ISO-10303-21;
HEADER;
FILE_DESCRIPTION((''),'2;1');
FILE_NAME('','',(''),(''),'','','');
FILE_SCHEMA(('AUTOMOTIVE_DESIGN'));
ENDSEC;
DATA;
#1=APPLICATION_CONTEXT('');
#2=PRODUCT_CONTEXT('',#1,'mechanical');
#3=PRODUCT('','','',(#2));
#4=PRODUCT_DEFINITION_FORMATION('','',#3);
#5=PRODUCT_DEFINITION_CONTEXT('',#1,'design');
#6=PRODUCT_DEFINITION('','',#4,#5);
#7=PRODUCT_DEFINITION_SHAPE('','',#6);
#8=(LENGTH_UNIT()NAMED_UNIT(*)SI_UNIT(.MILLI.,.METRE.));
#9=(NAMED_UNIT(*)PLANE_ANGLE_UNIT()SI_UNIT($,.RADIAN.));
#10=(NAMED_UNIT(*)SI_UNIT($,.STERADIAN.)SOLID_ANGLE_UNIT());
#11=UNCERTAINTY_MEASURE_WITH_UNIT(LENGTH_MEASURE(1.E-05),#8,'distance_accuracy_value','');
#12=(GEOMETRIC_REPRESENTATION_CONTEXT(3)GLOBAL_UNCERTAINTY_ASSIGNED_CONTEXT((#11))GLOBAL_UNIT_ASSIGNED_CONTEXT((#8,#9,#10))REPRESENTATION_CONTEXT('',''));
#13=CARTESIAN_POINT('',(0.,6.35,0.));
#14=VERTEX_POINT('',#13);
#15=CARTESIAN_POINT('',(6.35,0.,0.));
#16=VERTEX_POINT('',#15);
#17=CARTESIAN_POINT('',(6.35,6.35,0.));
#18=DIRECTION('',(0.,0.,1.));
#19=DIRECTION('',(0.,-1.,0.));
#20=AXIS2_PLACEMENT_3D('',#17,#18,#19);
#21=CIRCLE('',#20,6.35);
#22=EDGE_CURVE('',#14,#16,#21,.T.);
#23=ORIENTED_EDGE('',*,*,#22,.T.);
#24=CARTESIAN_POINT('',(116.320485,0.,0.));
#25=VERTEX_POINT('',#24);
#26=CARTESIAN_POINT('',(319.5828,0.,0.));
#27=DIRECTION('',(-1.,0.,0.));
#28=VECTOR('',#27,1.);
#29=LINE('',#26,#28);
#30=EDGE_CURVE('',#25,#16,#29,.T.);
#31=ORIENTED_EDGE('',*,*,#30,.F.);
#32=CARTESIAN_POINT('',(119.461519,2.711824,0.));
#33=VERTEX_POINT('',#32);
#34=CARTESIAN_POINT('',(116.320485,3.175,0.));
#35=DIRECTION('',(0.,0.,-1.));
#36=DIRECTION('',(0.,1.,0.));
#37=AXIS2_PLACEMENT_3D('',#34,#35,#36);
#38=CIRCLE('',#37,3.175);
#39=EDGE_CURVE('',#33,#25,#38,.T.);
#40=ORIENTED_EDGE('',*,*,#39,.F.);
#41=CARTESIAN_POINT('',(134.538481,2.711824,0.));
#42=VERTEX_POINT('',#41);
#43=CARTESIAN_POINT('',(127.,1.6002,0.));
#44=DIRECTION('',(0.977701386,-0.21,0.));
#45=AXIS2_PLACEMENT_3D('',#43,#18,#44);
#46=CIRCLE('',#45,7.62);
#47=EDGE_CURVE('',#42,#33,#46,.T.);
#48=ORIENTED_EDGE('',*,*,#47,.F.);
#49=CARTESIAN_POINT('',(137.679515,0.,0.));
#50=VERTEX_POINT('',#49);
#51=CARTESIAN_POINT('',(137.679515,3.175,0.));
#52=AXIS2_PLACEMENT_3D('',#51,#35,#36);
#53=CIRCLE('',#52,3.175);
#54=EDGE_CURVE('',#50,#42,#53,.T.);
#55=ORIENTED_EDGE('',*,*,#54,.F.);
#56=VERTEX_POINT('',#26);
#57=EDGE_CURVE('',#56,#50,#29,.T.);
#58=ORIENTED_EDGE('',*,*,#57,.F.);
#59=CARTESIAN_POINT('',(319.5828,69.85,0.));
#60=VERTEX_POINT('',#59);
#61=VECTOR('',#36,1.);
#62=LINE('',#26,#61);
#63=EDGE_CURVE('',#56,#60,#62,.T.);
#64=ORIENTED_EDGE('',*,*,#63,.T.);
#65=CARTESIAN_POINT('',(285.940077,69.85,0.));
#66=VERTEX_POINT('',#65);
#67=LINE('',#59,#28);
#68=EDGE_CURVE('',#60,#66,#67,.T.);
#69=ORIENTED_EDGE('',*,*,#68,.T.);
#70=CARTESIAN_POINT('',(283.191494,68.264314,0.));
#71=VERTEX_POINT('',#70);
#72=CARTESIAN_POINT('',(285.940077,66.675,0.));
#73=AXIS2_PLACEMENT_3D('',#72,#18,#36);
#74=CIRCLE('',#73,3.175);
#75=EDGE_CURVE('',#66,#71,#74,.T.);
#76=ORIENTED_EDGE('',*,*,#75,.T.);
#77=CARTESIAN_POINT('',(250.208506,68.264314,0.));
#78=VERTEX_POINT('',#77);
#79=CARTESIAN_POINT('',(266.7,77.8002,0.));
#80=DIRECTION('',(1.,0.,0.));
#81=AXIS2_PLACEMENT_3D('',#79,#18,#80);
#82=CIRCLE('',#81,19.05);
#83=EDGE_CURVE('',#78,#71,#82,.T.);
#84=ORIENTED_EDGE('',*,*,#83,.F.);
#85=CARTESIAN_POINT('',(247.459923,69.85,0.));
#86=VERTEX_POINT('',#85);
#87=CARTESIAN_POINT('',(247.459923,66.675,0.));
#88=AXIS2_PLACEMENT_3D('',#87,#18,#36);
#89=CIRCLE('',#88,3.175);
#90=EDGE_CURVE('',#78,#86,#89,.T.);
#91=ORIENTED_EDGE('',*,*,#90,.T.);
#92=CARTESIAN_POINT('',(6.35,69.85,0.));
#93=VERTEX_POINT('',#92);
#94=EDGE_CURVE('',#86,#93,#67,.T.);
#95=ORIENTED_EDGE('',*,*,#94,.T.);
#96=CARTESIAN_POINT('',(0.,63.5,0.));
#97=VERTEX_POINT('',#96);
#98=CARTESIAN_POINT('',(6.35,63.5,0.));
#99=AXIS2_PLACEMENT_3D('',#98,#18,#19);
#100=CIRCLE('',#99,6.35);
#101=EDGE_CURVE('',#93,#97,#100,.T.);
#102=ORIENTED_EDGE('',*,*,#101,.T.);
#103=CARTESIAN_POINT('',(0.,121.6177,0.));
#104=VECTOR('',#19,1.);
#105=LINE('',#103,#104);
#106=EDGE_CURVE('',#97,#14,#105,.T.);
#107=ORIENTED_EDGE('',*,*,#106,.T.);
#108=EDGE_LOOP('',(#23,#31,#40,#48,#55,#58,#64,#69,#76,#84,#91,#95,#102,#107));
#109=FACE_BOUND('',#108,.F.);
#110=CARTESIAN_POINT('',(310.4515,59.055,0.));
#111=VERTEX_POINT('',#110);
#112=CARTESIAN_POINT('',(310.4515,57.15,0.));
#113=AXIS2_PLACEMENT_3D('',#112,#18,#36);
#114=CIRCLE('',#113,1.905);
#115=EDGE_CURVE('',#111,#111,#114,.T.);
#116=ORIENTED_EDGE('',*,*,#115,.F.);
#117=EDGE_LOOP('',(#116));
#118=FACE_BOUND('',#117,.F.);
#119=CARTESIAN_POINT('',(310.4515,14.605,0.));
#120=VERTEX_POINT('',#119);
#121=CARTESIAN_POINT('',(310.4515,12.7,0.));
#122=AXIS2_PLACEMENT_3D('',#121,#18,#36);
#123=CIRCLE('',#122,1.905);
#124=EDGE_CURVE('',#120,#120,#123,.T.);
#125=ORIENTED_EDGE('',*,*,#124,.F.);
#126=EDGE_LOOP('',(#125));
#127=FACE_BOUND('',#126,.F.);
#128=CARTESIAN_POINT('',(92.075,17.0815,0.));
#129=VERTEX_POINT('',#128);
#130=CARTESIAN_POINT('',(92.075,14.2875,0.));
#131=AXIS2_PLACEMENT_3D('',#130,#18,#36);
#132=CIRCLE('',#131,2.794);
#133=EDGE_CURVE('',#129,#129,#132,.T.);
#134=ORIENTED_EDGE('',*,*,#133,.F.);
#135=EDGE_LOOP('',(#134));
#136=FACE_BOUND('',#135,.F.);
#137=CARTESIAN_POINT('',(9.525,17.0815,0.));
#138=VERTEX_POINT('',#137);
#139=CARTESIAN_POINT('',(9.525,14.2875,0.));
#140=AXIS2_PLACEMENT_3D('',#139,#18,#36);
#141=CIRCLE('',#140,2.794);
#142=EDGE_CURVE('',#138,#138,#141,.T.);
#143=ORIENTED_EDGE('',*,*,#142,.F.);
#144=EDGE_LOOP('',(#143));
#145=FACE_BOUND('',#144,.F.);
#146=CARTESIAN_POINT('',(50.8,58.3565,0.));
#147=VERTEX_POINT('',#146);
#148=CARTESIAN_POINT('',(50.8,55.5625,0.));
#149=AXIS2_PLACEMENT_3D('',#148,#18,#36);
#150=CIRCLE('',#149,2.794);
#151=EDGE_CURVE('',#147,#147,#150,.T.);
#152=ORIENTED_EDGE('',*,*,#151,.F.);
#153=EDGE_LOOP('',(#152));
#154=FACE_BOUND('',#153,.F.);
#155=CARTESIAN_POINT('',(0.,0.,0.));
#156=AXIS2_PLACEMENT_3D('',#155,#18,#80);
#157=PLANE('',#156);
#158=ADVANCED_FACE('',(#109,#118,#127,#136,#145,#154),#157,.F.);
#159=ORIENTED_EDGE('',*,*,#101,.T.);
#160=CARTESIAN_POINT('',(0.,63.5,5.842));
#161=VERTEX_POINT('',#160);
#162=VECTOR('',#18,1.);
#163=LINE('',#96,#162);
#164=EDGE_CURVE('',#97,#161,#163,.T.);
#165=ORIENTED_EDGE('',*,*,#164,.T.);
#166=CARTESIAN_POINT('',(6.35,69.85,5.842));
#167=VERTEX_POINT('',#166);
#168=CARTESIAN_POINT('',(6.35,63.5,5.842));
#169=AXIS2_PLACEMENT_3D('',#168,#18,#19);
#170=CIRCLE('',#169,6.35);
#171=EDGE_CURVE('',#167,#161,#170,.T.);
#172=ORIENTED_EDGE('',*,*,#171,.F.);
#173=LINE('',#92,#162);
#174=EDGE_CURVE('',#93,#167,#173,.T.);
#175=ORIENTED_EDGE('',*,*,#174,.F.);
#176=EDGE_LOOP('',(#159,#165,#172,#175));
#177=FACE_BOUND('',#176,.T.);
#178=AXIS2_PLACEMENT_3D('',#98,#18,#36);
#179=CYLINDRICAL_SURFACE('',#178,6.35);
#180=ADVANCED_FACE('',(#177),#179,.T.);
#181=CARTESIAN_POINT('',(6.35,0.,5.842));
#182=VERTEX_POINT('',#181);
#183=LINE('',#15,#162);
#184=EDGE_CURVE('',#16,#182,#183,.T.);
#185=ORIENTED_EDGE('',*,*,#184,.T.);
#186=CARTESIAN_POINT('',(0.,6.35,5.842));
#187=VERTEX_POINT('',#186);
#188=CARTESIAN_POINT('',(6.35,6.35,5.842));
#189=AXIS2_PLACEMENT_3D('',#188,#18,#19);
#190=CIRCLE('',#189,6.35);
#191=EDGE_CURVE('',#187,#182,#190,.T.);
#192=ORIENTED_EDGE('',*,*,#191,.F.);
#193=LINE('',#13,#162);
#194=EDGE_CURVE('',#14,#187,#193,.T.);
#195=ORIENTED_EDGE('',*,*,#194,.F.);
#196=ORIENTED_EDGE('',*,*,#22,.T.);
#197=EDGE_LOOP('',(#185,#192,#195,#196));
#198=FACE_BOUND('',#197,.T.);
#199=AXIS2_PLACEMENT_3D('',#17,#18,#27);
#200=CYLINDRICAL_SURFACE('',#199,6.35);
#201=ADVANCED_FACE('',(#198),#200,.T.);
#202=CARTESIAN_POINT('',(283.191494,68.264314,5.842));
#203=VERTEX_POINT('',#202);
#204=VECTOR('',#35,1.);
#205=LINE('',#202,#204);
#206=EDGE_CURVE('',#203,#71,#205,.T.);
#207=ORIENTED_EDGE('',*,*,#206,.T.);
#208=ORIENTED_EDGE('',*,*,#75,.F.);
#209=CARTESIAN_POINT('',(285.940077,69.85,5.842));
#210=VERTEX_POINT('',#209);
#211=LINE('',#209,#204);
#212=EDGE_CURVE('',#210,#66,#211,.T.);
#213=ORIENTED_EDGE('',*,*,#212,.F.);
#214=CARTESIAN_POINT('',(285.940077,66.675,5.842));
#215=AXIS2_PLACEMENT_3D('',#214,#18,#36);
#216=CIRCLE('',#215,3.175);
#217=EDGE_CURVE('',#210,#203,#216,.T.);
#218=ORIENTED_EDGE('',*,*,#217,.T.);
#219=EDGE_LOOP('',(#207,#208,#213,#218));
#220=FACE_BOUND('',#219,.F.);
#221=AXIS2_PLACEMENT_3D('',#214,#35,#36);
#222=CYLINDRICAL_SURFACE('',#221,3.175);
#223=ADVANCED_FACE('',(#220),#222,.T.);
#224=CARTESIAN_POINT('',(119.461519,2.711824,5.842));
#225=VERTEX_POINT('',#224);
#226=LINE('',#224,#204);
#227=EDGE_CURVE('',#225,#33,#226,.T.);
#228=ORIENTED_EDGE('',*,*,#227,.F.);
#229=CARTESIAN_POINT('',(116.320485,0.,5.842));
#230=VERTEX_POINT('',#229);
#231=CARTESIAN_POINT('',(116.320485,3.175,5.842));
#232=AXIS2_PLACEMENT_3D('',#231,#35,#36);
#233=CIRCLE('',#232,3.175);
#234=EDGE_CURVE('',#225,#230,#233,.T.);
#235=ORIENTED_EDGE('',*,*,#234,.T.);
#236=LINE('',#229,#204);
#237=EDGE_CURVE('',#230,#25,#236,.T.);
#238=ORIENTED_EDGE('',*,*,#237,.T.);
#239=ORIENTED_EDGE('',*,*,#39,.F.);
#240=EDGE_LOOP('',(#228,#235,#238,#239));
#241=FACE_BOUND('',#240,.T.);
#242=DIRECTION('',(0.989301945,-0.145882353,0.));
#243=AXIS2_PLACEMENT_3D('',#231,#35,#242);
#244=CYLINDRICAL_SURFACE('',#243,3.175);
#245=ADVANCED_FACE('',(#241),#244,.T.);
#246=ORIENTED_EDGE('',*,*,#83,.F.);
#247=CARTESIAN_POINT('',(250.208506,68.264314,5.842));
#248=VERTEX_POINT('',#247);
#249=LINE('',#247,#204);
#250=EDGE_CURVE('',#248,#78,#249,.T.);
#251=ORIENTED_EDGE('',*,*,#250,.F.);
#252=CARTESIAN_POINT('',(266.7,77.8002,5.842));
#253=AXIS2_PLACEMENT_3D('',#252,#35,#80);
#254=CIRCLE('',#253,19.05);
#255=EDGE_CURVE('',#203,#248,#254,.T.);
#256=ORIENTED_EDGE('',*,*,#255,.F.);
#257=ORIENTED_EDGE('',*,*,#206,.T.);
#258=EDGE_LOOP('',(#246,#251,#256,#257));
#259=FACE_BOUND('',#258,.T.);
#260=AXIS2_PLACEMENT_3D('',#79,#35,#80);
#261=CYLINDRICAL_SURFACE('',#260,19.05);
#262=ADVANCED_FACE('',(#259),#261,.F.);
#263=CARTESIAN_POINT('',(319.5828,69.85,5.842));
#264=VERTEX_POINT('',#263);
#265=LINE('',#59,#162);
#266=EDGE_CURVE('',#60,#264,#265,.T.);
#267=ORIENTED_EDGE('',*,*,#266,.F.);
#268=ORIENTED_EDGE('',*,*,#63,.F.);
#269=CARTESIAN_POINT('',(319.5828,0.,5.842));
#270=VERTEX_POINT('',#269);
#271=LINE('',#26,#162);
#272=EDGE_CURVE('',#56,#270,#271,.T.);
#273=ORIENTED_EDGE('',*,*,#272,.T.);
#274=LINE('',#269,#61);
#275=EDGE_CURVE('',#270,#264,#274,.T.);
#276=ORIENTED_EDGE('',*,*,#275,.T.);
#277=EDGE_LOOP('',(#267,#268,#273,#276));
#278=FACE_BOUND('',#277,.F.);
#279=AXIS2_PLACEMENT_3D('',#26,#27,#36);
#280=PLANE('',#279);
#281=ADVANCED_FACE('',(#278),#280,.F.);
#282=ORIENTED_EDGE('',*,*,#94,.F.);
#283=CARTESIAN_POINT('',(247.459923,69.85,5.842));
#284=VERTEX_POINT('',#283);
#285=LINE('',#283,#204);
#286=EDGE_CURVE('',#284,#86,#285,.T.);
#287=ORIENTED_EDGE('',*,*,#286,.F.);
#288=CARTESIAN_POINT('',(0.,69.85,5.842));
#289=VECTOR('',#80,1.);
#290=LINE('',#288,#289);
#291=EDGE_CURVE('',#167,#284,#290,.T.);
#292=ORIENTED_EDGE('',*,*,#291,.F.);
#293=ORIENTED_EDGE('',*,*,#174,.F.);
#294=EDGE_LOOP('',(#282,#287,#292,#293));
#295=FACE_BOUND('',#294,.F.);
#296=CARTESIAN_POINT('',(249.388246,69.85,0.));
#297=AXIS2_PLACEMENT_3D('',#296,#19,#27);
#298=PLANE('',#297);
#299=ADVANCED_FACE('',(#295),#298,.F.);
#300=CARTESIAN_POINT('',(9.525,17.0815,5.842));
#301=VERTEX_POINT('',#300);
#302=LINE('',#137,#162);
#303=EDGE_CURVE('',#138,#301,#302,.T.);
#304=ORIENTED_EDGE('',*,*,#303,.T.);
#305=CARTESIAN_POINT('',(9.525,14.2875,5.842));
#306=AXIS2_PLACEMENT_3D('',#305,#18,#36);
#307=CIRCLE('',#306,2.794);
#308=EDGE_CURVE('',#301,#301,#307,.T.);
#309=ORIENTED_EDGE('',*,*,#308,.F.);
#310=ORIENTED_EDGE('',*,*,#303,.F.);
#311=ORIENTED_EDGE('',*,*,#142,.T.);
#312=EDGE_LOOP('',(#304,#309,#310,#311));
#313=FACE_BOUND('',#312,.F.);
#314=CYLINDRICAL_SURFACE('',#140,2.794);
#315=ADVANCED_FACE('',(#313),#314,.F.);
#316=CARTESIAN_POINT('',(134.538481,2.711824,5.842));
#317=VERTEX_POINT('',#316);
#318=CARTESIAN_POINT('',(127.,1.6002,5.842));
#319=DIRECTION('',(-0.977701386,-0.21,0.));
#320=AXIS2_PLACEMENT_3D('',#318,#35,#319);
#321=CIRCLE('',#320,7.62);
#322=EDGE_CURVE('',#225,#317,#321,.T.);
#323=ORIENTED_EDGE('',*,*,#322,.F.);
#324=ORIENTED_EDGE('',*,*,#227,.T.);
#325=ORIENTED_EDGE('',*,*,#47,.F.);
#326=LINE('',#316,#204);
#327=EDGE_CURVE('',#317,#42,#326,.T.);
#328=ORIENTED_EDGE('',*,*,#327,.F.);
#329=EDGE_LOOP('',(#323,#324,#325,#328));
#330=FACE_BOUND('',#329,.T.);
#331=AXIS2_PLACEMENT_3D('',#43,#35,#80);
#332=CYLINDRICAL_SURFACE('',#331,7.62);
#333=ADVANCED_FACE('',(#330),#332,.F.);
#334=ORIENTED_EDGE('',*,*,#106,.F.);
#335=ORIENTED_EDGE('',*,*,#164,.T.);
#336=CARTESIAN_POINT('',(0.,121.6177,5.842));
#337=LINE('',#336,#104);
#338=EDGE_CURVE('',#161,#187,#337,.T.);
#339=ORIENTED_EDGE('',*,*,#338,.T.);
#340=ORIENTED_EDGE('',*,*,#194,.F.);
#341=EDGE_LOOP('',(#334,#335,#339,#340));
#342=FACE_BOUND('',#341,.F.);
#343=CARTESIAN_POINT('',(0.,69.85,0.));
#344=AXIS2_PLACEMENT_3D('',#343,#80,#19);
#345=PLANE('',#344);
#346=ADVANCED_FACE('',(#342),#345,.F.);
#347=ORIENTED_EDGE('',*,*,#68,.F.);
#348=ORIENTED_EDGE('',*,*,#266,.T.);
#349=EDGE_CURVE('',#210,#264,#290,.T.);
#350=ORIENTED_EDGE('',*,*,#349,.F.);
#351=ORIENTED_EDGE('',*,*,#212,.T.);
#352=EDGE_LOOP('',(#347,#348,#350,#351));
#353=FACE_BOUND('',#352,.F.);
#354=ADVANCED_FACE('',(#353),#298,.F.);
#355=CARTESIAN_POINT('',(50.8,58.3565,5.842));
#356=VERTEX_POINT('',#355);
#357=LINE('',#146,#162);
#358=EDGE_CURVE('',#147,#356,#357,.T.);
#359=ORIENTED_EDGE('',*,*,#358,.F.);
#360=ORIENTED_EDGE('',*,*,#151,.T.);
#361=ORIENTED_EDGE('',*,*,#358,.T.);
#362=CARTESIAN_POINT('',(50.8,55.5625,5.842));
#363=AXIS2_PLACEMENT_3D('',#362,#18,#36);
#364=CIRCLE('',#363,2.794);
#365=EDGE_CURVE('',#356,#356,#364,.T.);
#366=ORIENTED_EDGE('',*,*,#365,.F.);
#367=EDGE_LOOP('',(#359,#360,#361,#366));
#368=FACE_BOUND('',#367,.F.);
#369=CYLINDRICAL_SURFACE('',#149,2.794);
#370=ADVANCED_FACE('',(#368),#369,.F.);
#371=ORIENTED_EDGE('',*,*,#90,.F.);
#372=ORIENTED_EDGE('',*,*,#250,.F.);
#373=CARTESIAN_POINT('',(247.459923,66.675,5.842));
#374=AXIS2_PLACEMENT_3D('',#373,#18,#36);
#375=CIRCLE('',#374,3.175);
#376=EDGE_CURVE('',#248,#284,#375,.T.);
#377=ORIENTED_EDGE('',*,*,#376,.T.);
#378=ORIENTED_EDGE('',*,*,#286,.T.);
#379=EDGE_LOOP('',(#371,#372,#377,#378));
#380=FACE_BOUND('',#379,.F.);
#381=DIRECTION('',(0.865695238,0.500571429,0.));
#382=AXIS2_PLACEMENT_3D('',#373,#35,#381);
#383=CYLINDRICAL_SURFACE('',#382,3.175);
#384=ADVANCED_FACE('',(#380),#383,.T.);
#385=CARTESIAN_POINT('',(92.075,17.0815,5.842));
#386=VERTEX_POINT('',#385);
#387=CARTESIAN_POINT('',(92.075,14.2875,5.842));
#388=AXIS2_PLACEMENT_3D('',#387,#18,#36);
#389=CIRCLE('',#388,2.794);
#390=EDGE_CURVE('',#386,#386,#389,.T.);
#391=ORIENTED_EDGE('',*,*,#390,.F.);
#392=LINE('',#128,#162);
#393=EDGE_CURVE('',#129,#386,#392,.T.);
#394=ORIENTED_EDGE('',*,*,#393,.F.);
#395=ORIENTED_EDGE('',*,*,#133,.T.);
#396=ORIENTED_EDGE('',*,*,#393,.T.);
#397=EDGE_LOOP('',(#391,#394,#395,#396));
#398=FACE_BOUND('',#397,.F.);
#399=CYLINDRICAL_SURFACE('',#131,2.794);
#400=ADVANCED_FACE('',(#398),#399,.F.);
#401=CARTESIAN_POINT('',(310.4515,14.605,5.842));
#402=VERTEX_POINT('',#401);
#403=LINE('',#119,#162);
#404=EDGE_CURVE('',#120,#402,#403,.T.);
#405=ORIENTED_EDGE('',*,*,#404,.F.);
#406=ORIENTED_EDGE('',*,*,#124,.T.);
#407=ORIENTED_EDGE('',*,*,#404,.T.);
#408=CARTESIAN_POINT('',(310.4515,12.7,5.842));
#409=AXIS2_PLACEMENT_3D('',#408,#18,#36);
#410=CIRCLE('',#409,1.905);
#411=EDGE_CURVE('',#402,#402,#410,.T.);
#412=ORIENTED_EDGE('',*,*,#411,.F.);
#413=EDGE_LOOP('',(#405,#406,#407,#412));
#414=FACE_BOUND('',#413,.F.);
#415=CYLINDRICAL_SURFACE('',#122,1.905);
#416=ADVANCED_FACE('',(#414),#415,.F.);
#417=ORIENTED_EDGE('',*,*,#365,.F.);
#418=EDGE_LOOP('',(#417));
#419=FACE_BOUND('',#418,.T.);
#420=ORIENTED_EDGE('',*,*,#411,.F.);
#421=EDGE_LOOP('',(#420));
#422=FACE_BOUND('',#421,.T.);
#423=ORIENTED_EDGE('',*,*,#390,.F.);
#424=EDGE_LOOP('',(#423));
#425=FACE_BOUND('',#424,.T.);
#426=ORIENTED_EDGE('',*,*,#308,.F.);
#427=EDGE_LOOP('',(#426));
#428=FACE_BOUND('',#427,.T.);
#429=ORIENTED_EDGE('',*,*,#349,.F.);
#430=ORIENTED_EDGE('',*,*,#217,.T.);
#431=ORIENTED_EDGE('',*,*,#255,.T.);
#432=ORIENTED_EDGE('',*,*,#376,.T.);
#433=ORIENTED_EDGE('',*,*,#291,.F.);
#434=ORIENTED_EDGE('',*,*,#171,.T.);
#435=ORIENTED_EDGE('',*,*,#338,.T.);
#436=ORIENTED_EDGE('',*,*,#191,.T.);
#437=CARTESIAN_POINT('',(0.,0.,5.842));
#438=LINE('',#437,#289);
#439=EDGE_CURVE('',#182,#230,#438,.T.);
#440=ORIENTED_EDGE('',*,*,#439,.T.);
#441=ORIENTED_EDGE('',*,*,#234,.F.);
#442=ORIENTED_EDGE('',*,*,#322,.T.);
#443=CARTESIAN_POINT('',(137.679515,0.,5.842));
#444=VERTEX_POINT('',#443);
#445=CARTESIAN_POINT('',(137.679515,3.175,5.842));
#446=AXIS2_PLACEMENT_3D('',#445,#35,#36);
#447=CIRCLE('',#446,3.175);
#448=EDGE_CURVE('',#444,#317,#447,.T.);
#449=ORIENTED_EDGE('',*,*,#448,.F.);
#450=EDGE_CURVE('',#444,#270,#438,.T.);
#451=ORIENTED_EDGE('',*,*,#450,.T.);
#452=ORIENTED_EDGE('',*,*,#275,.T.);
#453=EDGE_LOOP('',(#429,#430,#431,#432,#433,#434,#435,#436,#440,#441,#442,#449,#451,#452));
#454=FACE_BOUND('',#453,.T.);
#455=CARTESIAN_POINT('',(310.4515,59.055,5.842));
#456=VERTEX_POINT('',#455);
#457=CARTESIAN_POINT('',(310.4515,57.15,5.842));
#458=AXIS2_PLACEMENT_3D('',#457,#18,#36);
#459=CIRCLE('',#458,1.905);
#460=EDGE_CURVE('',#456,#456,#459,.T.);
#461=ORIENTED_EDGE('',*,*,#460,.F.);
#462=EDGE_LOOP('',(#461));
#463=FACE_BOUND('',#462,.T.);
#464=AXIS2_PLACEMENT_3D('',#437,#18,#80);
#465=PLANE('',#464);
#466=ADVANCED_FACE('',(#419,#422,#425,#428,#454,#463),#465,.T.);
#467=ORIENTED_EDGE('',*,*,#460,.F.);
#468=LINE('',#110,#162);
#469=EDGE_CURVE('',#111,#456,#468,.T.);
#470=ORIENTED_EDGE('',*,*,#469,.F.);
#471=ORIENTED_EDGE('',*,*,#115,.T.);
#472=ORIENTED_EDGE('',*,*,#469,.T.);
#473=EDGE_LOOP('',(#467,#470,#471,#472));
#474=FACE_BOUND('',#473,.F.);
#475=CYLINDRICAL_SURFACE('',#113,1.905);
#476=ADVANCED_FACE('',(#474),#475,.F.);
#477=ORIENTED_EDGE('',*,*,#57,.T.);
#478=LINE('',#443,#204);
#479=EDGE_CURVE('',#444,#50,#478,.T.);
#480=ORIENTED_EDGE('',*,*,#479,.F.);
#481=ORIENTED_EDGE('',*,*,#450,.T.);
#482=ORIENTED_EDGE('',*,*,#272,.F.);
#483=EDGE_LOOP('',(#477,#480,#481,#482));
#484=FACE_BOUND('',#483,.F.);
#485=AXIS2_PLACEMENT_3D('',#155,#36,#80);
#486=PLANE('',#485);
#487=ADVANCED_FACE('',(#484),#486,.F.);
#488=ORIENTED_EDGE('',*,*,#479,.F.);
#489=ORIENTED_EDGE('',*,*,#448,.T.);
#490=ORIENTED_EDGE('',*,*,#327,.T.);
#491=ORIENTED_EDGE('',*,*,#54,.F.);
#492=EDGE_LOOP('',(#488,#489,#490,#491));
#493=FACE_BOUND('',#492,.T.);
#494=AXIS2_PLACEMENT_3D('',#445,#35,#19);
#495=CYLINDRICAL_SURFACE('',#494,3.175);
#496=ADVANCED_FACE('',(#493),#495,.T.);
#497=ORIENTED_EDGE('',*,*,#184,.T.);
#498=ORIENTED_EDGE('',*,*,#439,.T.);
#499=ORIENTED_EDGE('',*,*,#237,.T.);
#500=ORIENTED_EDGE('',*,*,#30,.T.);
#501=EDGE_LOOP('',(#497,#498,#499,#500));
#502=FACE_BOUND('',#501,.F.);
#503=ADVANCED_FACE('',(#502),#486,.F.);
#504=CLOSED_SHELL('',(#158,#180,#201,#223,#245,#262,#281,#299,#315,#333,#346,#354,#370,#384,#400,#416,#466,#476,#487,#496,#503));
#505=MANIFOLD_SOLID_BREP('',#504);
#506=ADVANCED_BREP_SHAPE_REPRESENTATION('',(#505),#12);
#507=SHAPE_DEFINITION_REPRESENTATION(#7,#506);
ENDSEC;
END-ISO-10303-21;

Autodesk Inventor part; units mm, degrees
ref_plane "YZ Plane" through (0, 0, 0) normal (1, 0, 0) x (0, 1, 0)
ref_plane "XZ Plane" through (0, 0, 0) normal (0, 1, 0) x (-1, 0, 0)
ref_plane "XY Plane" through (0, 0, 0) normal (0, 0, 1) x (1, 0, 0)
sketch "Sketch1" plane through (0, 0, 0) normal (0, 0, 1) x (1, 0, 0)
  line L0 (0, 121.6177) -> (0, -51.755) projected
  line L1 (-63.9166, 0) -> (383.4994, 0) projected
  line L2 (0, 0) -> (319.5828, 0)
  line L3 (319.5828, 0) -> (319.5828, 69.85)
  line L4 (319.5828, 69.85) -> (0, 69.85)
  line L5 (0, 69.85) -> (0, 0)
  line L6 (9.525, 14.2875) -> (92.075, 14.2875) construction
  circle A0 centre (50.8, 14.2875) radius 41.275 construction
  line L7 (0, 34.925) -> (319.5828, 34.925) construction
  circle A1 centre (266.7, 77.8002) radius 19.05
  circle A2 centre (127, 1.6002) radius 7.62
  point P0 (50.8, 55.5625)
  point P1 (310.4515, 57.15)
  point P2 (310.4515, 12.7)
  dimension "d0" = 319.5828
  dimension "d1" = 69.85
  dimension "d2" = 82.55
  dimension "d5" = 14.2875
  dimension "d7" = 14.2875
  dimension "d8" = 9.525
  dimension "d9" = 9.1313
  dimension "d10" = 22.225
  dimension "d11" = 22.225
  dimension "d29" = 266.7
  dimension "d30" = 7.9502
  dimension "d31" = 38.1
  dimension "d35" = 15.24
  dimension "d36" = 1.6002
  dimension "d37" = 127
extrude "Extrusion1" add sketch "Sketch1" along normal blind 5.842 contours L4 A1 L3 L1 A2 L0 | L4 A1 | A2 L1 picked at (261.678, 68.614) picked at (126.7265, 4.018)
hole "Hole1" at (310.4515, 57.15, 0) at (310.4515, 12.7, 0) direction (0, 0, 1) diameter 3.81 end through all
hole "Hole2" at (9.525, 14.2875, 0) at (92.075, 14.2875, 0) at (50.8, 55.5625, 0) direction (0, 0, 1) diameter 5.588 end through all
fillet "Fillet1" radius 6.35 2 edges at (0, 69.85, 2.921) (0, 0, 2.921)
extrude "Extrusion2" cut sketch "Sketch1" along normal up to next contours A1 L4 | L4 A1 | A2 L1 | L1 A2
fillet "Fillet2" radius 3.175 4 edges at (249.3882, 69.85, 2.921) (284.0118, 69.85, 2.921) (134.4501, 0, 2.921) (119.5499, 0, 2.921)
sketch "Sketch2" plane through (0, 0, 5.842) normal (0, 0, 1) x (1, 0, 0)
  point P0 (0, 0)
equation "\"d5\" = d7"
